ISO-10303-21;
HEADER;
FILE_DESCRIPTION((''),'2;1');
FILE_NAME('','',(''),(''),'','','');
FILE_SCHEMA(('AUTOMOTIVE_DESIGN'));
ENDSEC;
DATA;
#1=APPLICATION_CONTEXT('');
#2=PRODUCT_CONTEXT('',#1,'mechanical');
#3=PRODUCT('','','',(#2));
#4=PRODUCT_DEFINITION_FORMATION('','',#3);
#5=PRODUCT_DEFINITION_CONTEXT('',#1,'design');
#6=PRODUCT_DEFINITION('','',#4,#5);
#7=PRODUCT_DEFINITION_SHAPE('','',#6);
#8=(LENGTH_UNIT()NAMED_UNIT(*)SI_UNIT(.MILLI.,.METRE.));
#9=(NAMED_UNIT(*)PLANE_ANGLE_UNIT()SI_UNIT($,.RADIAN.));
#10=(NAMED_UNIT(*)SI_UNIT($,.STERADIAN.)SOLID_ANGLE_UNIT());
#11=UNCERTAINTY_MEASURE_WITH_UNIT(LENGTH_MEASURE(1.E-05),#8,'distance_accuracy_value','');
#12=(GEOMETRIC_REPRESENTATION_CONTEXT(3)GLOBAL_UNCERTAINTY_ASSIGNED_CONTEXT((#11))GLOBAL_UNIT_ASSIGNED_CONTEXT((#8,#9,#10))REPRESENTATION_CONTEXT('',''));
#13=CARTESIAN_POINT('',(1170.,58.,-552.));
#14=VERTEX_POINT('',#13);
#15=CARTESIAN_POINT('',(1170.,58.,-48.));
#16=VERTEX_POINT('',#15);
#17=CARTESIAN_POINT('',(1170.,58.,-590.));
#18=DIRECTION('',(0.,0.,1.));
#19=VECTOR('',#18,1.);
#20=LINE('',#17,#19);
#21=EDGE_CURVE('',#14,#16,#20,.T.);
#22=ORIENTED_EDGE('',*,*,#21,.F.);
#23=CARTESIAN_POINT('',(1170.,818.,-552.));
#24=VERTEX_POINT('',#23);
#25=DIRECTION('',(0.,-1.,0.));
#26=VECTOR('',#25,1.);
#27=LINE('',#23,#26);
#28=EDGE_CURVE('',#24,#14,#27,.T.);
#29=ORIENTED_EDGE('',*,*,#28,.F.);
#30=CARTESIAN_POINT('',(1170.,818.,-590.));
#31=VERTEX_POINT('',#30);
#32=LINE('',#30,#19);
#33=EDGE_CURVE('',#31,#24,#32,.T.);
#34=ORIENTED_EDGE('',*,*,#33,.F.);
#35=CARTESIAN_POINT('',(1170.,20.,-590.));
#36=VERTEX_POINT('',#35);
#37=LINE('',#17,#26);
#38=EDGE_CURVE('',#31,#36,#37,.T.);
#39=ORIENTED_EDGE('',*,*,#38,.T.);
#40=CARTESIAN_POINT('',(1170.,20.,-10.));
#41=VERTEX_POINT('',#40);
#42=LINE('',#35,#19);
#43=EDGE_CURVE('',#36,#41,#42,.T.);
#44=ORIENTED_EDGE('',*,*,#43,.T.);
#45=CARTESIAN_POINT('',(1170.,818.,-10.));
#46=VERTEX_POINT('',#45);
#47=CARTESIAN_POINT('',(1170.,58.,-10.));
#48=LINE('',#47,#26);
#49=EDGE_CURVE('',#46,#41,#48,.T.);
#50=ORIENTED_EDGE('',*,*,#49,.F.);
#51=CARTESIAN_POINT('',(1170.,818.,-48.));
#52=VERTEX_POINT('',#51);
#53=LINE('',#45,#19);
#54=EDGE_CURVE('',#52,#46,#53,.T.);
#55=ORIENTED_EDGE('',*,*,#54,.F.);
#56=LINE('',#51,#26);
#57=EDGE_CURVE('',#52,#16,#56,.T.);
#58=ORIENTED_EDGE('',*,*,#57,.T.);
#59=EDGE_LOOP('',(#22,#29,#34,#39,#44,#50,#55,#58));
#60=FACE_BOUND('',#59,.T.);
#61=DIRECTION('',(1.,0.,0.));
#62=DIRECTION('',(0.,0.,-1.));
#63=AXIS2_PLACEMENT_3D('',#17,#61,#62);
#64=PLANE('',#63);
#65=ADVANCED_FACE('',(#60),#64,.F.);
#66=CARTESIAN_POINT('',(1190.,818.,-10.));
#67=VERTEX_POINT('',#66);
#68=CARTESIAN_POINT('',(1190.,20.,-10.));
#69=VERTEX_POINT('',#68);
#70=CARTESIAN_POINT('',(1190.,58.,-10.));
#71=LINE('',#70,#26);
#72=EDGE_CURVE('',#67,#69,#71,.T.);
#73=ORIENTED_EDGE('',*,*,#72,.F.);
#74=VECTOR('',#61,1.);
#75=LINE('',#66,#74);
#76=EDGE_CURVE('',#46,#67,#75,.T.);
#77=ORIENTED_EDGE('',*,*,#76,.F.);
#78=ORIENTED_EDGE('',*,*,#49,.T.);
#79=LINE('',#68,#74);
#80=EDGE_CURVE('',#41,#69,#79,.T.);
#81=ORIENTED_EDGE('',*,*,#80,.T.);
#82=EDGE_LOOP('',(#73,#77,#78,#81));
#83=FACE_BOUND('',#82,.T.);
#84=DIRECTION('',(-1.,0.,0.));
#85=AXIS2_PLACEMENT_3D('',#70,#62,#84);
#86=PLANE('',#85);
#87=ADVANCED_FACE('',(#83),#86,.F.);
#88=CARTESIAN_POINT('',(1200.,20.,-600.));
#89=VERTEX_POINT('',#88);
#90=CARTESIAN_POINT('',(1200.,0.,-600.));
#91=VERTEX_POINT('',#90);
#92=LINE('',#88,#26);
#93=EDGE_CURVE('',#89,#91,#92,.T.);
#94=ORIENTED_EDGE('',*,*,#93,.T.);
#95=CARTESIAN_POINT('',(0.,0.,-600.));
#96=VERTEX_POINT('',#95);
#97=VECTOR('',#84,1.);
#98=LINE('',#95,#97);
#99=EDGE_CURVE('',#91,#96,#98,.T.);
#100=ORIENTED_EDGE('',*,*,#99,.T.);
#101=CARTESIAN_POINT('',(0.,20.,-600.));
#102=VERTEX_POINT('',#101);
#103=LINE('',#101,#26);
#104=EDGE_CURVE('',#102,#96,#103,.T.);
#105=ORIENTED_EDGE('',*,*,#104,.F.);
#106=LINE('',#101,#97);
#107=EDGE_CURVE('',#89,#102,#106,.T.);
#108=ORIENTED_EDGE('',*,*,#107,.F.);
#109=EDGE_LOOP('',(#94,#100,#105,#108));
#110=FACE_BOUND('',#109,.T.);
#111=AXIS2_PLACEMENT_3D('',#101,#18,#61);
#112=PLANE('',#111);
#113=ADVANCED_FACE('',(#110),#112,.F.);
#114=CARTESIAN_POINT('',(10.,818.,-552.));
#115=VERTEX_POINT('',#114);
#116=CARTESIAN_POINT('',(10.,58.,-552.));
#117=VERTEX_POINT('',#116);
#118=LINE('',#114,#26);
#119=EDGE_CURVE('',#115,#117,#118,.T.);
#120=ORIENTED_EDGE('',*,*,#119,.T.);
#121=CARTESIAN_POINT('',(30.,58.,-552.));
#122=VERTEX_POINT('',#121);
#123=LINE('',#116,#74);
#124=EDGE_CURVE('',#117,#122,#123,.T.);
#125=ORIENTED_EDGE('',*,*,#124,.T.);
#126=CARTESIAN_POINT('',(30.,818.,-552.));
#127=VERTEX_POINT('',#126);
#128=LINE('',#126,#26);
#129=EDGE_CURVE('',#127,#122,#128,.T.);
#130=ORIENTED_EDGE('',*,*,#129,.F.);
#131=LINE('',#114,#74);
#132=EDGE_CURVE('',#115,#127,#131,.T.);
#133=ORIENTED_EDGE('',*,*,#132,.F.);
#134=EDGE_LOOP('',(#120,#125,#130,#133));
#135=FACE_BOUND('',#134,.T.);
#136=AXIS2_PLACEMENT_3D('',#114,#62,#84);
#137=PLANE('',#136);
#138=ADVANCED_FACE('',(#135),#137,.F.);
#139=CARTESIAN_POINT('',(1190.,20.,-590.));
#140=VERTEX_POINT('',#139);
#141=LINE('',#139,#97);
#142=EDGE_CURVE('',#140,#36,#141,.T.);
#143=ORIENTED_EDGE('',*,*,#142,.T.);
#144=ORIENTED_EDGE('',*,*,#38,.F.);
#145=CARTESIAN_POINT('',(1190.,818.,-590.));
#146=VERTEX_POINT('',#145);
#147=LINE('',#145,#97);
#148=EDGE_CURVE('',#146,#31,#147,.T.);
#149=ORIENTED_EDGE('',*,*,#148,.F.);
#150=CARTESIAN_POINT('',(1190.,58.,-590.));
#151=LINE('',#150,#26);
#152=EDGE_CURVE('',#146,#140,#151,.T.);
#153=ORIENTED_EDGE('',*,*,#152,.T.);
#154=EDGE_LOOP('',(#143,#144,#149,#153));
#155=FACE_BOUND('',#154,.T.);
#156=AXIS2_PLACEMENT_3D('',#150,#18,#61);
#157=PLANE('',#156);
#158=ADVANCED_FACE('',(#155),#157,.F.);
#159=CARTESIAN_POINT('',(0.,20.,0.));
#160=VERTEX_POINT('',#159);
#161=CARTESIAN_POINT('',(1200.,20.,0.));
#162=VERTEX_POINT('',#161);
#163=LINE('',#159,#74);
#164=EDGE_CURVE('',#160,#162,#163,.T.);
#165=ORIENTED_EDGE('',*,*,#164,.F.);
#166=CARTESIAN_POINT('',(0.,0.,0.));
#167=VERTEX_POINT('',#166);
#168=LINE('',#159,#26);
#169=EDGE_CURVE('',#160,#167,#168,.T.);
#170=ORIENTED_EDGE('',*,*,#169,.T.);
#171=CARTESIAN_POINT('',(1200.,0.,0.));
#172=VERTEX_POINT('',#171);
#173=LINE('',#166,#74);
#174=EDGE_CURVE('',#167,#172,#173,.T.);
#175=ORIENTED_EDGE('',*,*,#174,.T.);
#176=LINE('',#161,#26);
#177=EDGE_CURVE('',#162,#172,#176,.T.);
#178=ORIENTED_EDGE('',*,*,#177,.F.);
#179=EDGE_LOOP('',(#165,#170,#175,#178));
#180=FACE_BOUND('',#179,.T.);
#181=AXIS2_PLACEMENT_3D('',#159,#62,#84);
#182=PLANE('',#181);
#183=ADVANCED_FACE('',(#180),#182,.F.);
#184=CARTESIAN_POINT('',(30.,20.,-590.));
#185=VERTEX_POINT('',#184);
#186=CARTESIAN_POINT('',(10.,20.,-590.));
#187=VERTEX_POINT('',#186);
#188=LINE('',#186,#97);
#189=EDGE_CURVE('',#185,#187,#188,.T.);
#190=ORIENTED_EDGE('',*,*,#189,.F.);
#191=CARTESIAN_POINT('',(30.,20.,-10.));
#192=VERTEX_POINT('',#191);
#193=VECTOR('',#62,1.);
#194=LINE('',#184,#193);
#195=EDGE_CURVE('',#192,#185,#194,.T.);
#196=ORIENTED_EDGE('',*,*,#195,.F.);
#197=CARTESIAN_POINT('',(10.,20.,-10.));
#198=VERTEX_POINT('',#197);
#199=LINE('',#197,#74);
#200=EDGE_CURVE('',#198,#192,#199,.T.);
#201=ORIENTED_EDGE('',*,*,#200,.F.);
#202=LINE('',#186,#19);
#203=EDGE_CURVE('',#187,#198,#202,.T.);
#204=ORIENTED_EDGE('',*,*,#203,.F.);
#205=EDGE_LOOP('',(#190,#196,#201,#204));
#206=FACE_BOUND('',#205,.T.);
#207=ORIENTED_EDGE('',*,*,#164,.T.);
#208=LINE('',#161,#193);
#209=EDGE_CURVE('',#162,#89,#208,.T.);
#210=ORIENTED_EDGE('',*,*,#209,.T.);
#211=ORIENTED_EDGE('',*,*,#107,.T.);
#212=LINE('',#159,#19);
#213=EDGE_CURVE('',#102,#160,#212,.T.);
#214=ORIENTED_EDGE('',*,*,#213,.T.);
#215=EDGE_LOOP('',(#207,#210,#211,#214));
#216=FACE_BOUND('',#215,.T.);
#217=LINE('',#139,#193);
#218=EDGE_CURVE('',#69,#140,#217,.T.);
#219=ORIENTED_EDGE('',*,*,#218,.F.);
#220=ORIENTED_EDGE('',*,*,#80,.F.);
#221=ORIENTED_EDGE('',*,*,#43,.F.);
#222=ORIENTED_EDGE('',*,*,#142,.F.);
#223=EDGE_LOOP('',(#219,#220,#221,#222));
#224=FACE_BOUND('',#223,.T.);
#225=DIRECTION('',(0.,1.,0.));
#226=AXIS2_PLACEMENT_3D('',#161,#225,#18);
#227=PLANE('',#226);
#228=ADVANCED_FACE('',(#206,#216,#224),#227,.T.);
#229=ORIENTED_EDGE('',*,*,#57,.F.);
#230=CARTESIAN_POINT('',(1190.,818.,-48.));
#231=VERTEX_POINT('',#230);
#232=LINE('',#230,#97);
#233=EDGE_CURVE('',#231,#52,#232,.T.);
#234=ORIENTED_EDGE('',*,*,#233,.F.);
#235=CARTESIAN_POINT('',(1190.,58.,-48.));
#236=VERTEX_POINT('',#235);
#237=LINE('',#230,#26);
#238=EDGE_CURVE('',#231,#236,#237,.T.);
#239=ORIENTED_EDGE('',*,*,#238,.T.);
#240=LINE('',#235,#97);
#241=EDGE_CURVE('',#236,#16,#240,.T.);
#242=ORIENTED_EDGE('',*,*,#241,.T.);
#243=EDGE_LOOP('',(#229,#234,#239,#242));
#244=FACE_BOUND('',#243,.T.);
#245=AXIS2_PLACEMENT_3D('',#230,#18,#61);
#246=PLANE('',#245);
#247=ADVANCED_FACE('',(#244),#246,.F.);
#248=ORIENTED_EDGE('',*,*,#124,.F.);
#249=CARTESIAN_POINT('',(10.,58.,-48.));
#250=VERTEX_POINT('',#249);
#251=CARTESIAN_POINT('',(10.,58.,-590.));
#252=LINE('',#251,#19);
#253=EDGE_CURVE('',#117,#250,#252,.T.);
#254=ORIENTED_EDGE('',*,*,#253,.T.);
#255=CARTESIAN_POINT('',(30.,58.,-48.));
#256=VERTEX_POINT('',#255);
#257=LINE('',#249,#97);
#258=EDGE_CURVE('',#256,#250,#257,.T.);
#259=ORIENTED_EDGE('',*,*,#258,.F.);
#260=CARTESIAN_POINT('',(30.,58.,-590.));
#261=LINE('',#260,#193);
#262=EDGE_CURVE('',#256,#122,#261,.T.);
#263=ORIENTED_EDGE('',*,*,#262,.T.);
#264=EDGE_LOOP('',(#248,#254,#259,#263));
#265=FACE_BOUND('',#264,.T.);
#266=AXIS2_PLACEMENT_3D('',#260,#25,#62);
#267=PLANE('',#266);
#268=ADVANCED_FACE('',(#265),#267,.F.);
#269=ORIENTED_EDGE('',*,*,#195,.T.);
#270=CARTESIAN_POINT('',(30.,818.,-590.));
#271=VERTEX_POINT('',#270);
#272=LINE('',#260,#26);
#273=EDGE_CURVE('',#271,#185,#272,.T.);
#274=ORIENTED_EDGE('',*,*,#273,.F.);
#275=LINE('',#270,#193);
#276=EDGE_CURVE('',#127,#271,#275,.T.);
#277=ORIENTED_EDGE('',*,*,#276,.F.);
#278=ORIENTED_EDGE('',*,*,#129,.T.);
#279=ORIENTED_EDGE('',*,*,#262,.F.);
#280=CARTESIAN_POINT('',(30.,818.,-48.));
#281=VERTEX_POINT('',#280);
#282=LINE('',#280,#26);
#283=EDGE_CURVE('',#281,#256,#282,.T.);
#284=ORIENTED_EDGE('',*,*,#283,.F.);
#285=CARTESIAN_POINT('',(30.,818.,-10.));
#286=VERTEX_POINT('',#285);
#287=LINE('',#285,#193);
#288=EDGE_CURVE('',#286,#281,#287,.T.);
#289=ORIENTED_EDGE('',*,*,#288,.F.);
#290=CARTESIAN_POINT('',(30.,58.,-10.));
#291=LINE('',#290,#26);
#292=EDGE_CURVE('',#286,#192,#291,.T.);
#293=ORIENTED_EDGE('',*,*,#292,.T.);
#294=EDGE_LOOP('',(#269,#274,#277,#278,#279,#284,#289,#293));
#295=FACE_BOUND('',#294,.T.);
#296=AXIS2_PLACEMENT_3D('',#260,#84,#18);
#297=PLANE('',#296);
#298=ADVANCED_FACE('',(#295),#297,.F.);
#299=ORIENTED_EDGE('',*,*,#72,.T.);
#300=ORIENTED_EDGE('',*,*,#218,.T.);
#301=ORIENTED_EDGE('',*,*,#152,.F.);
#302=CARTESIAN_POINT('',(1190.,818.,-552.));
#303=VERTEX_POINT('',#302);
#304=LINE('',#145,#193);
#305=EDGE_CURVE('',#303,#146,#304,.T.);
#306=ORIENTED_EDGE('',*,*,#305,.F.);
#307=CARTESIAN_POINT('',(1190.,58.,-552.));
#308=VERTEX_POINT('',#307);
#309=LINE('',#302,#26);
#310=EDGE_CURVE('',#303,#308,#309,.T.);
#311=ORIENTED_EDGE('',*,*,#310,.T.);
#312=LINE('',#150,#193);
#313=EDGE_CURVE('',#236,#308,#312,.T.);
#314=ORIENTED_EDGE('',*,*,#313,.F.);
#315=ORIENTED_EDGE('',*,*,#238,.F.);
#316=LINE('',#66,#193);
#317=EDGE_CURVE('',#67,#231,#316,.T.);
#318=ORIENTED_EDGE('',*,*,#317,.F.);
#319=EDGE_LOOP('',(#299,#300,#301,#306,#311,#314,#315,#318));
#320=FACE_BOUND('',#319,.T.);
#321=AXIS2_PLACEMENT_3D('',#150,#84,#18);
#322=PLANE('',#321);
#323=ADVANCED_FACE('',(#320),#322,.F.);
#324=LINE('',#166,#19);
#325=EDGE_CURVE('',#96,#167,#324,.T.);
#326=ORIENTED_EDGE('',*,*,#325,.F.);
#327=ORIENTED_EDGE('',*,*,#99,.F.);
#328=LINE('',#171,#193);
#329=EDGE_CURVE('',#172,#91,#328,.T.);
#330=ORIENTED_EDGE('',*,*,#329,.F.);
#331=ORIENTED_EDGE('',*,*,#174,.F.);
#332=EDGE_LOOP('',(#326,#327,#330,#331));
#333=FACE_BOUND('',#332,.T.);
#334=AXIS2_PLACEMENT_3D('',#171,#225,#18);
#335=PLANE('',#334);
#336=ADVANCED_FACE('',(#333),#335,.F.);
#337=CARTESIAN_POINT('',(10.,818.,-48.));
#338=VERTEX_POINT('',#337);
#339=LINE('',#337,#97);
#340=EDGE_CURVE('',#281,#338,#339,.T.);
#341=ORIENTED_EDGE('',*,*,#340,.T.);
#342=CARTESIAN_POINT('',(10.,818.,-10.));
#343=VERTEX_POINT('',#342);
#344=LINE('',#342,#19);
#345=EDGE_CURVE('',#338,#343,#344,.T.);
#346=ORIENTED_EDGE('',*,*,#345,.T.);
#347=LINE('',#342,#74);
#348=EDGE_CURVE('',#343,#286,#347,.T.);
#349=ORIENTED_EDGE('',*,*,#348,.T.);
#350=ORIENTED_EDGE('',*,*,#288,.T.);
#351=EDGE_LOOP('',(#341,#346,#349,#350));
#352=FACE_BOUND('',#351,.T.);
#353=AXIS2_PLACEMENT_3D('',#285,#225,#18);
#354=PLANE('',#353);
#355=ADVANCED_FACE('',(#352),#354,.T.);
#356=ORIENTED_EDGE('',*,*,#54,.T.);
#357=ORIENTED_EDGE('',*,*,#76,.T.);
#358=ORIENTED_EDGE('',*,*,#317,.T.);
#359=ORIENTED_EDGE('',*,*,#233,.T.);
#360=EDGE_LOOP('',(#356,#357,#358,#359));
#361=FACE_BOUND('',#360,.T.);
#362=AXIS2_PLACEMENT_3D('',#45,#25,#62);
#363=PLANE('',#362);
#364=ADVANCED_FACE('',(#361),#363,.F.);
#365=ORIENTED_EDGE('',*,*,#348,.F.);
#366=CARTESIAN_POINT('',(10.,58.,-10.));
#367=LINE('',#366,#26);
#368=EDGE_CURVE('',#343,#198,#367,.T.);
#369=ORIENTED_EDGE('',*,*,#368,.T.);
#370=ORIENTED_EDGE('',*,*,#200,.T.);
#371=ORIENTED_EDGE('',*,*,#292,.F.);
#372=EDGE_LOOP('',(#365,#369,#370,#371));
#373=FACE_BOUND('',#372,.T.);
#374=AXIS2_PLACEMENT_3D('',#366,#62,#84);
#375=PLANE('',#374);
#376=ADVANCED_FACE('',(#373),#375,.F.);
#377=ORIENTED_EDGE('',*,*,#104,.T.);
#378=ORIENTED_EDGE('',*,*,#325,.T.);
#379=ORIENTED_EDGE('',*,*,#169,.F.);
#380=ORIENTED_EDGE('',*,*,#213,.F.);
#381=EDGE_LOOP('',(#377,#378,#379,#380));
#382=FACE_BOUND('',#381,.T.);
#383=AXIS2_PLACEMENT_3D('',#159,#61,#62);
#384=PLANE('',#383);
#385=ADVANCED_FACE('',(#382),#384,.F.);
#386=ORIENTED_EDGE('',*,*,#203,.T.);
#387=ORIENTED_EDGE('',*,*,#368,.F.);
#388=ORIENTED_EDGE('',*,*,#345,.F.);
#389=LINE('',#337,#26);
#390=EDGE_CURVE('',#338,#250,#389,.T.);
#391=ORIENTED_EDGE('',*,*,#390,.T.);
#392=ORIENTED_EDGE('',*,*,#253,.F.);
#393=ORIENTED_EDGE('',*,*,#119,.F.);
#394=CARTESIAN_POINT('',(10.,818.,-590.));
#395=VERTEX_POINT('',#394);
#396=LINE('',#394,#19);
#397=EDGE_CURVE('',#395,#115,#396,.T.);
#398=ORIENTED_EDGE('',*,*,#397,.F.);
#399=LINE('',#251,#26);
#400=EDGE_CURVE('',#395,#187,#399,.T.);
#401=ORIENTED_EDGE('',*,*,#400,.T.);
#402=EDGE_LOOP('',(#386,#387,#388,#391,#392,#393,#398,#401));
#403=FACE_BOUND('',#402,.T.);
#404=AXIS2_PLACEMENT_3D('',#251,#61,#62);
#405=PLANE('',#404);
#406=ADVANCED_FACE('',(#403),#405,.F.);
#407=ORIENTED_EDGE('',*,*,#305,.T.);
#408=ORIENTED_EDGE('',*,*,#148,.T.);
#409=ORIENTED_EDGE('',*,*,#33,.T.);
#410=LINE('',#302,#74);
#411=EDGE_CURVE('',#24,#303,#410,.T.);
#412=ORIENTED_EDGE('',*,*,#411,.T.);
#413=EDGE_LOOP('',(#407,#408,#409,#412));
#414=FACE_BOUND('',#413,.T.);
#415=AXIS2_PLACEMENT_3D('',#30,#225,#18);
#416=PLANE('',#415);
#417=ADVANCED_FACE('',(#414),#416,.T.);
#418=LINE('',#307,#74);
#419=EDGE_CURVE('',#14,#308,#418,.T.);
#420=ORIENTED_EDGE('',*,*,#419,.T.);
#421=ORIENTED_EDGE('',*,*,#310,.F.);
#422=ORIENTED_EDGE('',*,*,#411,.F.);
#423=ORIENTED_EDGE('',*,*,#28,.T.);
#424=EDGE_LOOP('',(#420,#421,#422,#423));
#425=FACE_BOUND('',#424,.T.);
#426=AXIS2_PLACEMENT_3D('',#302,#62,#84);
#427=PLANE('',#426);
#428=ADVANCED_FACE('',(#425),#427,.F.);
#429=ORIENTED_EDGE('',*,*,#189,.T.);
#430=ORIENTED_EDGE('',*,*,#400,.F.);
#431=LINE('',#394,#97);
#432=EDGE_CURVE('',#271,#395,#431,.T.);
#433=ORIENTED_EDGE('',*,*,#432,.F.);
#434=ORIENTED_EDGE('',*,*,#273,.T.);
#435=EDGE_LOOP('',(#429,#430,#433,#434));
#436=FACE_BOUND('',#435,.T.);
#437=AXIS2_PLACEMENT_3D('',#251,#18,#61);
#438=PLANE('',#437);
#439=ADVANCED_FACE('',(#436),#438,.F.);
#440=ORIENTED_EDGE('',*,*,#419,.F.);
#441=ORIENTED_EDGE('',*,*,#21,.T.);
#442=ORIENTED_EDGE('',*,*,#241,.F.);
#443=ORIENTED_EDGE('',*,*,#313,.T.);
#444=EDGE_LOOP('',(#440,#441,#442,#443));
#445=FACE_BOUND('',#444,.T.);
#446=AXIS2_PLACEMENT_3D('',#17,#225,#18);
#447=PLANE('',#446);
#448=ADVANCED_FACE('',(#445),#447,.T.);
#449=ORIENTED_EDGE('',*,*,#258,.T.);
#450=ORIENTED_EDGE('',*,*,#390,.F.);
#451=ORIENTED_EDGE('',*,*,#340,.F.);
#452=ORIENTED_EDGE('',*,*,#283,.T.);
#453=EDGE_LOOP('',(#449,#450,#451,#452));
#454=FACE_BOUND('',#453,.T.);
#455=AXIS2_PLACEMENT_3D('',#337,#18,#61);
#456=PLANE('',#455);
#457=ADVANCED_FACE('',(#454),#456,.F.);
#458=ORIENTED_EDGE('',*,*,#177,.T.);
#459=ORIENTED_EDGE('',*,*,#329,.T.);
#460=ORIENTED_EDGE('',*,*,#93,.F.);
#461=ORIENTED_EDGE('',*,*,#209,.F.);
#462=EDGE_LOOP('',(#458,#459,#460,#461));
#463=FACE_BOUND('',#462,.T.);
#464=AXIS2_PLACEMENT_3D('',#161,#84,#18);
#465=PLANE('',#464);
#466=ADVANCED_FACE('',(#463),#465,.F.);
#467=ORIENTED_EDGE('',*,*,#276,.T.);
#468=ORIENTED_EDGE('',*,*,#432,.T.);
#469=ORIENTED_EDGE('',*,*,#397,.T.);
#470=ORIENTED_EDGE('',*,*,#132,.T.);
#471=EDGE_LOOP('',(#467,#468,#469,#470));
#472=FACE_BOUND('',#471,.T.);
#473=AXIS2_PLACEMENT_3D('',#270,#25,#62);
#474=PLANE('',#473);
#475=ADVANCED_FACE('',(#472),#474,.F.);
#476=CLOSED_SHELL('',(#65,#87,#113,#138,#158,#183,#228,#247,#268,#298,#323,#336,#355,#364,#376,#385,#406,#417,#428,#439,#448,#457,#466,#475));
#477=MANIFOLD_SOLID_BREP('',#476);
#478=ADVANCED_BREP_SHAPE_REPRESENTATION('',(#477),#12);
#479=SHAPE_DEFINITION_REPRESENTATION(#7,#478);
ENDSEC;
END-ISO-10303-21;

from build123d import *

# Parameters (mm, degrees)
SKETCH9_W           = 1200
SKETCH9_H           = 600
BOSS_EXTRUDE4_DEPTH = 20
SKETCH10_W          = 20
SKETCH10_H          = 580
BOSS_EXTRUDE6_DEPTH = 38
SKETCH11_W          = 20
SKETCH11_H          = 38
BOSS_EXTRUDE7_DEPTH = 760


with BuildPart() as part:
    # Sketch9 → Boss-Extrude4 (new body)
    with BuildSketch(Plane(origin=(0, 0, 0), x_dir=(1, 0, 0), z_dir=(0, 1, 0))):
        with Locations((600, 300)):
            Rectangle(SKETCH9_W, SKETCH9_H)
    extrude(amount=BOSS_EXTRUDE4_DEPTH)

    # Sketch10 → Boss-Extrude6 (add)
    with BuildSketch(Plane(origin=(0, 20, 0), x_dir=(1, 0, 0), z_dir=(0, 1, 0))):
        with Locations((20, 300)):
            Rectangle(SKETCH10_W, SKETCH10_H)
        with Locations((1180, 300)):
            Rectangle(SKETCH10_W, SKETCH10_H)
    extrude(amount=BOSS_EXTRUDE6_DEPTH)

    # Sketch11 → Boss-Extrude7 (add)
    with BuildSketch(Plane(origin=(0, 58, 0), x_dir=(1, 0, 0), z_dir=(0, 1, 0))):
        with Locations((20, 571)):
            Rectangle(SKETCH11_W, SKETCH11_H)
        with Locations((20, 29)):
            Rectangle(SKETCH11_W, SKETCH11_H)
        with Locations((1180, 29)):
            Rectangle(SKETCH11_W, SKETCH11_H)
        with Locations((1180, 571)):
            Rectangle(SKETCH11_W, SKETCH11_H)
    extrude(amount=BOSS_EXTRUDE7_DEPTH)


solid = part.part
